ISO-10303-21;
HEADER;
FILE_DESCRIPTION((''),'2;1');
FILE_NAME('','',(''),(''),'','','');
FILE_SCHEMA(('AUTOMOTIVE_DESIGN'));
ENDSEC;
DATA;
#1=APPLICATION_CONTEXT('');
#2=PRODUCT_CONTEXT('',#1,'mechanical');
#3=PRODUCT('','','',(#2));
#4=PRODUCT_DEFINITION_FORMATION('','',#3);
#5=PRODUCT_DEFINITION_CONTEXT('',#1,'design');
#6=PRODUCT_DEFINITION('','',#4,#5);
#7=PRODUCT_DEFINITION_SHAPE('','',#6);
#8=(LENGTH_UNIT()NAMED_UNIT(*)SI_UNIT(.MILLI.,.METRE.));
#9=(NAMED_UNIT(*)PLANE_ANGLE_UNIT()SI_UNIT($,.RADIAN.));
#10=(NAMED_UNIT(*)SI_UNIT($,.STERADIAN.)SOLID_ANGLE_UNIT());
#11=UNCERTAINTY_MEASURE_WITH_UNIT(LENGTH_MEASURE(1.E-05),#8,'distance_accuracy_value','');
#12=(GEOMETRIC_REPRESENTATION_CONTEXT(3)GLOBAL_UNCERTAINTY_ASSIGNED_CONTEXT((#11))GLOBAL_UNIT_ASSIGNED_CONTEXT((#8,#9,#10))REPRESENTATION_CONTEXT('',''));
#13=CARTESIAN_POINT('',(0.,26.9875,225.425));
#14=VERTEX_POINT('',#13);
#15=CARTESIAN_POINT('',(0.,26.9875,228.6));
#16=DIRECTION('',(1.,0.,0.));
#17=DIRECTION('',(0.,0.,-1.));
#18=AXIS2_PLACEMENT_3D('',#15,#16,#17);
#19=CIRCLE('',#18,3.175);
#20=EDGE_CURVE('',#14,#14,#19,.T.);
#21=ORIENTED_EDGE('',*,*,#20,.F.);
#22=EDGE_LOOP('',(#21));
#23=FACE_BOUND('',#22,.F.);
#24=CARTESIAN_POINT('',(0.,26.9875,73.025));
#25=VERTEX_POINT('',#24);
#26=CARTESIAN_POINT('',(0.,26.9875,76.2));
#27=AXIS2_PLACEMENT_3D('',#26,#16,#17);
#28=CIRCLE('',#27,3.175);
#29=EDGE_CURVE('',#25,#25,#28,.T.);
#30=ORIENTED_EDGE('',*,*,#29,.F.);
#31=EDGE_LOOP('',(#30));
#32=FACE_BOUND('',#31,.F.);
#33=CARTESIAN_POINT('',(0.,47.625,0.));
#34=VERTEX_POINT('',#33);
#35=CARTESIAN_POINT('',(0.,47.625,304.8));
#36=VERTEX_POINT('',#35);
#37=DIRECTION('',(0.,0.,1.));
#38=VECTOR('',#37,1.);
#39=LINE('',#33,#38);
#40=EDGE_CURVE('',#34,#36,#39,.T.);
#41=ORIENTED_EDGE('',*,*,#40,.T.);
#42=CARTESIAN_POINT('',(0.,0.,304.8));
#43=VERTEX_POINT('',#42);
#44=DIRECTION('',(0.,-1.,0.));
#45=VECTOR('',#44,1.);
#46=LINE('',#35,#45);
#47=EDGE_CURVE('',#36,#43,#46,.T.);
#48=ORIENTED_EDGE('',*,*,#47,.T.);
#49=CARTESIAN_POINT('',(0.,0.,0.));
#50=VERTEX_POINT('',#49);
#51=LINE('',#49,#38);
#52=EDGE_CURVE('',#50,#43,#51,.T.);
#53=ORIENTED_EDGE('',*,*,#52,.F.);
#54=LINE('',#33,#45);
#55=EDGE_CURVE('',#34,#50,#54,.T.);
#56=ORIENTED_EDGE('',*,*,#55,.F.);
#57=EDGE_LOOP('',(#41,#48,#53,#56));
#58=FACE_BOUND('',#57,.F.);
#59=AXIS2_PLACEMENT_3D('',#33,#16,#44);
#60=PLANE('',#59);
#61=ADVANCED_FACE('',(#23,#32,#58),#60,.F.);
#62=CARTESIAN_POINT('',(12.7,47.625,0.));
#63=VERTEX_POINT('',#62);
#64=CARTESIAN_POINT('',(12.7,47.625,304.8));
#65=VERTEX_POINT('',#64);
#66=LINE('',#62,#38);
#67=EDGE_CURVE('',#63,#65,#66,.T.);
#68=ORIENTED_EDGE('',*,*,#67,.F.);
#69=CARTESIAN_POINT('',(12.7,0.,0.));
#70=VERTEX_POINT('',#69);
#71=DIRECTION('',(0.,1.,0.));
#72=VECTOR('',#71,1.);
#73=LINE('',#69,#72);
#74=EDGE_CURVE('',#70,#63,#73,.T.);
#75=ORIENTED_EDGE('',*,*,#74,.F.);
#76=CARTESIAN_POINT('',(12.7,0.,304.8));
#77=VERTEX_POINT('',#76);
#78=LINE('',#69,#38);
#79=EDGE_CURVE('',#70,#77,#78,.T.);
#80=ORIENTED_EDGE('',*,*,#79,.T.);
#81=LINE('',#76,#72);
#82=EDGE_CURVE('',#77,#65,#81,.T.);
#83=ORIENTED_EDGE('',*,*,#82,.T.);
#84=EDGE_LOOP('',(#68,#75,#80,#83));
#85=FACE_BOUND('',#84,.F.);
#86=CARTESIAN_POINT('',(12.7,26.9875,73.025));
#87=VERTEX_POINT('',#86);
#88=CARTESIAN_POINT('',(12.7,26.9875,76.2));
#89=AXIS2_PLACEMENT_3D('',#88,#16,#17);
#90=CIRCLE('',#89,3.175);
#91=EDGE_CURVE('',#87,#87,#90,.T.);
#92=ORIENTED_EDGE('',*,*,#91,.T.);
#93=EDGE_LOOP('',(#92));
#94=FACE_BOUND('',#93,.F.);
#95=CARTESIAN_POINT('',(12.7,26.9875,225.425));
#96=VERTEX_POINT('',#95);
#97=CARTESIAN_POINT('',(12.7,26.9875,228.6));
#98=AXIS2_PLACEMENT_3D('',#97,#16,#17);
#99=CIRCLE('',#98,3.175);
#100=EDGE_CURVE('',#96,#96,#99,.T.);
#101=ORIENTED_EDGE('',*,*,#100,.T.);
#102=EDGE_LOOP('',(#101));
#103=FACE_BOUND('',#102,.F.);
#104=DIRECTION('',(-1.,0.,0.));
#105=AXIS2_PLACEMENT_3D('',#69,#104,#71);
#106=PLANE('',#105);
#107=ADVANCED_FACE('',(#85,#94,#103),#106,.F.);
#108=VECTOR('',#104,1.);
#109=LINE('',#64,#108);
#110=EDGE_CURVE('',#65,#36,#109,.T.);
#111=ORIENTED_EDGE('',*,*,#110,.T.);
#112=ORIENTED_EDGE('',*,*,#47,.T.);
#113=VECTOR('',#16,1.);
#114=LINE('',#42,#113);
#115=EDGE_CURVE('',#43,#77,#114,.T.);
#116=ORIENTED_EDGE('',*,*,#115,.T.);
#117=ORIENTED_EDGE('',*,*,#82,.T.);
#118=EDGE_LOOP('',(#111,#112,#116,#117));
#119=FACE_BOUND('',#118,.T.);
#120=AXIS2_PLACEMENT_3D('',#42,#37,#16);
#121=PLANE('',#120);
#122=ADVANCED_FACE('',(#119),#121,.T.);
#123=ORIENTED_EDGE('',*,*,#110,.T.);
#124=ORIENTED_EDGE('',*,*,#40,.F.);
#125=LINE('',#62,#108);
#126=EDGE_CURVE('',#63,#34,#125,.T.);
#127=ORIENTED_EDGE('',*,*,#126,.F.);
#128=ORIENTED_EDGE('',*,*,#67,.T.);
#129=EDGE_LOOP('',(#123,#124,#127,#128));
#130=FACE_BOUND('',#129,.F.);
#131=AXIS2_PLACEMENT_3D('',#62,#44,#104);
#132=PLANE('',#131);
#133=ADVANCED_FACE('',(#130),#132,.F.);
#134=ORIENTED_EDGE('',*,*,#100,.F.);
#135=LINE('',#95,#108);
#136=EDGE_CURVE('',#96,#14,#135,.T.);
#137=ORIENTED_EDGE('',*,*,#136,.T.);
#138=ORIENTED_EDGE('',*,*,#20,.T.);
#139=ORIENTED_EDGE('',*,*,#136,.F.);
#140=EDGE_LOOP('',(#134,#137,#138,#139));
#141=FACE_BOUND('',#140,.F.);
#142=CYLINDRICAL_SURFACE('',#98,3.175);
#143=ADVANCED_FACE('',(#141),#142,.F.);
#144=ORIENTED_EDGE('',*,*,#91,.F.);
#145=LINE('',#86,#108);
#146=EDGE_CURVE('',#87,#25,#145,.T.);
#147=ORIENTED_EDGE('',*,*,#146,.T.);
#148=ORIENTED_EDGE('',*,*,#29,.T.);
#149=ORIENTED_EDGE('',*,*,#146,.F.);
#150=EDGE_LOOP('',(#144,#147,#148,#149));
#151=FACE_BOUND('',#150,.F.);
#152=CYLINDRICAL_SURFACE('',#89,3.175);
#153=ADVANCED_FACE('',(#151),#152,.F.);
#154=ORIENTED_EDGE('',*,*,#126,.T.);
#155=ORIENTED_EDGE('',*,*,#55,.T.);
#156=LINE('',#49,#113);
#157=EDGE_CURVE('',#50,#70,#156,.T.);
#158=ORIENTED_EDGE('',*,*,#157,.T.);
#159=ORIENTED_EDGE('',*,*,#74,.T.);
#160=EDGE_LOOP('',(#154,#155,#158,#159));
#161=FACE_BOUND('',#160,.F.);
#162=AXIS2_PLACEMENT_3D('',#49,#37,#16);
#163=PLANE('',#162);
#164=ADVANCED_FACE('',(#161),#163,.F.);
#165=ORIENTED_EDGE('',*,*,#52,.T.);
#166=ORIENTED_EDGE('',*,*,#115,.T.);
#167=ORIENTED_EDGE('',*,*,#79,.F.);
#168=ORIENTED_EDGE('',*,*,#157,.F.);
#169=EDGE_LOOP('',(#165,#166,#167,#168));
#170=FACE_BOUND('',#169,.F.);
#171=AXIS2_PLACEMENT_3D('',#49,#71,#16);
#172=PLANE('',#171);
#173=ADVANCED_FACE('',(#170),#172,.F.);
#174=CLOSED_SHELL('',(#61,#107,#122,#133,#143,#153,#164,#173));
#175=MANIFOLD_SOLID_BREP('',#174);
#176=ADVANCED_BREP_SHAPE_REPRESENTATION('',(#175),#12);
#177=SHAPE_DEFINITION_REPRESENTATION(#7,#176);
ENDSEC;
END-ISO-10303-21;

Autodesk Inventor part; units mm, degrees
ref_plane "YZ Plane" through (0, 0, 0) normal (1, 0, 0) x (0, 1, 0)
ref_plane "XZ Plane" through (0, 0, 0) normal (0, 1, 0) x (-1, 0, 0)
ref_plane "XY Plane" through (0, 0, 0) normal (0, 0, 1) x (1, 0, 0)
sketch "Sketch1" plane through (0, 0, 0) normal (0, 0, 1) x (1, 0, 0)
  line L0 (0, 0) -> (12.7, 0)
  line L1 (12.7, 0) -> (12.7, 47.625)
  line L2 (12.7, 47.625) -> (0, 47.625)
  line L3 (0, 47.625) -> (0, 0)
  dimension "d0" = 12.7
  dimension "d1" = 47.625
extrude "Extrusion1" add sketch "Sketch1" along normal blind 304.8
sketch "Sketch2" plane through (12.7, 0, 0) normal (1, 0, 0) x (0, 0, -1)
  circle A0 centre (-228.6, 26.9875) radius 3.175
  circle A1 centre (-76.2, 26.9875) radius 3.175
  dimension "d4" = 6.35
  dimension "d5" = 6.35
extrude "Extrusion2" cut sketch "Sketch2" against normal blind 12.7
properties part number "backboard"
